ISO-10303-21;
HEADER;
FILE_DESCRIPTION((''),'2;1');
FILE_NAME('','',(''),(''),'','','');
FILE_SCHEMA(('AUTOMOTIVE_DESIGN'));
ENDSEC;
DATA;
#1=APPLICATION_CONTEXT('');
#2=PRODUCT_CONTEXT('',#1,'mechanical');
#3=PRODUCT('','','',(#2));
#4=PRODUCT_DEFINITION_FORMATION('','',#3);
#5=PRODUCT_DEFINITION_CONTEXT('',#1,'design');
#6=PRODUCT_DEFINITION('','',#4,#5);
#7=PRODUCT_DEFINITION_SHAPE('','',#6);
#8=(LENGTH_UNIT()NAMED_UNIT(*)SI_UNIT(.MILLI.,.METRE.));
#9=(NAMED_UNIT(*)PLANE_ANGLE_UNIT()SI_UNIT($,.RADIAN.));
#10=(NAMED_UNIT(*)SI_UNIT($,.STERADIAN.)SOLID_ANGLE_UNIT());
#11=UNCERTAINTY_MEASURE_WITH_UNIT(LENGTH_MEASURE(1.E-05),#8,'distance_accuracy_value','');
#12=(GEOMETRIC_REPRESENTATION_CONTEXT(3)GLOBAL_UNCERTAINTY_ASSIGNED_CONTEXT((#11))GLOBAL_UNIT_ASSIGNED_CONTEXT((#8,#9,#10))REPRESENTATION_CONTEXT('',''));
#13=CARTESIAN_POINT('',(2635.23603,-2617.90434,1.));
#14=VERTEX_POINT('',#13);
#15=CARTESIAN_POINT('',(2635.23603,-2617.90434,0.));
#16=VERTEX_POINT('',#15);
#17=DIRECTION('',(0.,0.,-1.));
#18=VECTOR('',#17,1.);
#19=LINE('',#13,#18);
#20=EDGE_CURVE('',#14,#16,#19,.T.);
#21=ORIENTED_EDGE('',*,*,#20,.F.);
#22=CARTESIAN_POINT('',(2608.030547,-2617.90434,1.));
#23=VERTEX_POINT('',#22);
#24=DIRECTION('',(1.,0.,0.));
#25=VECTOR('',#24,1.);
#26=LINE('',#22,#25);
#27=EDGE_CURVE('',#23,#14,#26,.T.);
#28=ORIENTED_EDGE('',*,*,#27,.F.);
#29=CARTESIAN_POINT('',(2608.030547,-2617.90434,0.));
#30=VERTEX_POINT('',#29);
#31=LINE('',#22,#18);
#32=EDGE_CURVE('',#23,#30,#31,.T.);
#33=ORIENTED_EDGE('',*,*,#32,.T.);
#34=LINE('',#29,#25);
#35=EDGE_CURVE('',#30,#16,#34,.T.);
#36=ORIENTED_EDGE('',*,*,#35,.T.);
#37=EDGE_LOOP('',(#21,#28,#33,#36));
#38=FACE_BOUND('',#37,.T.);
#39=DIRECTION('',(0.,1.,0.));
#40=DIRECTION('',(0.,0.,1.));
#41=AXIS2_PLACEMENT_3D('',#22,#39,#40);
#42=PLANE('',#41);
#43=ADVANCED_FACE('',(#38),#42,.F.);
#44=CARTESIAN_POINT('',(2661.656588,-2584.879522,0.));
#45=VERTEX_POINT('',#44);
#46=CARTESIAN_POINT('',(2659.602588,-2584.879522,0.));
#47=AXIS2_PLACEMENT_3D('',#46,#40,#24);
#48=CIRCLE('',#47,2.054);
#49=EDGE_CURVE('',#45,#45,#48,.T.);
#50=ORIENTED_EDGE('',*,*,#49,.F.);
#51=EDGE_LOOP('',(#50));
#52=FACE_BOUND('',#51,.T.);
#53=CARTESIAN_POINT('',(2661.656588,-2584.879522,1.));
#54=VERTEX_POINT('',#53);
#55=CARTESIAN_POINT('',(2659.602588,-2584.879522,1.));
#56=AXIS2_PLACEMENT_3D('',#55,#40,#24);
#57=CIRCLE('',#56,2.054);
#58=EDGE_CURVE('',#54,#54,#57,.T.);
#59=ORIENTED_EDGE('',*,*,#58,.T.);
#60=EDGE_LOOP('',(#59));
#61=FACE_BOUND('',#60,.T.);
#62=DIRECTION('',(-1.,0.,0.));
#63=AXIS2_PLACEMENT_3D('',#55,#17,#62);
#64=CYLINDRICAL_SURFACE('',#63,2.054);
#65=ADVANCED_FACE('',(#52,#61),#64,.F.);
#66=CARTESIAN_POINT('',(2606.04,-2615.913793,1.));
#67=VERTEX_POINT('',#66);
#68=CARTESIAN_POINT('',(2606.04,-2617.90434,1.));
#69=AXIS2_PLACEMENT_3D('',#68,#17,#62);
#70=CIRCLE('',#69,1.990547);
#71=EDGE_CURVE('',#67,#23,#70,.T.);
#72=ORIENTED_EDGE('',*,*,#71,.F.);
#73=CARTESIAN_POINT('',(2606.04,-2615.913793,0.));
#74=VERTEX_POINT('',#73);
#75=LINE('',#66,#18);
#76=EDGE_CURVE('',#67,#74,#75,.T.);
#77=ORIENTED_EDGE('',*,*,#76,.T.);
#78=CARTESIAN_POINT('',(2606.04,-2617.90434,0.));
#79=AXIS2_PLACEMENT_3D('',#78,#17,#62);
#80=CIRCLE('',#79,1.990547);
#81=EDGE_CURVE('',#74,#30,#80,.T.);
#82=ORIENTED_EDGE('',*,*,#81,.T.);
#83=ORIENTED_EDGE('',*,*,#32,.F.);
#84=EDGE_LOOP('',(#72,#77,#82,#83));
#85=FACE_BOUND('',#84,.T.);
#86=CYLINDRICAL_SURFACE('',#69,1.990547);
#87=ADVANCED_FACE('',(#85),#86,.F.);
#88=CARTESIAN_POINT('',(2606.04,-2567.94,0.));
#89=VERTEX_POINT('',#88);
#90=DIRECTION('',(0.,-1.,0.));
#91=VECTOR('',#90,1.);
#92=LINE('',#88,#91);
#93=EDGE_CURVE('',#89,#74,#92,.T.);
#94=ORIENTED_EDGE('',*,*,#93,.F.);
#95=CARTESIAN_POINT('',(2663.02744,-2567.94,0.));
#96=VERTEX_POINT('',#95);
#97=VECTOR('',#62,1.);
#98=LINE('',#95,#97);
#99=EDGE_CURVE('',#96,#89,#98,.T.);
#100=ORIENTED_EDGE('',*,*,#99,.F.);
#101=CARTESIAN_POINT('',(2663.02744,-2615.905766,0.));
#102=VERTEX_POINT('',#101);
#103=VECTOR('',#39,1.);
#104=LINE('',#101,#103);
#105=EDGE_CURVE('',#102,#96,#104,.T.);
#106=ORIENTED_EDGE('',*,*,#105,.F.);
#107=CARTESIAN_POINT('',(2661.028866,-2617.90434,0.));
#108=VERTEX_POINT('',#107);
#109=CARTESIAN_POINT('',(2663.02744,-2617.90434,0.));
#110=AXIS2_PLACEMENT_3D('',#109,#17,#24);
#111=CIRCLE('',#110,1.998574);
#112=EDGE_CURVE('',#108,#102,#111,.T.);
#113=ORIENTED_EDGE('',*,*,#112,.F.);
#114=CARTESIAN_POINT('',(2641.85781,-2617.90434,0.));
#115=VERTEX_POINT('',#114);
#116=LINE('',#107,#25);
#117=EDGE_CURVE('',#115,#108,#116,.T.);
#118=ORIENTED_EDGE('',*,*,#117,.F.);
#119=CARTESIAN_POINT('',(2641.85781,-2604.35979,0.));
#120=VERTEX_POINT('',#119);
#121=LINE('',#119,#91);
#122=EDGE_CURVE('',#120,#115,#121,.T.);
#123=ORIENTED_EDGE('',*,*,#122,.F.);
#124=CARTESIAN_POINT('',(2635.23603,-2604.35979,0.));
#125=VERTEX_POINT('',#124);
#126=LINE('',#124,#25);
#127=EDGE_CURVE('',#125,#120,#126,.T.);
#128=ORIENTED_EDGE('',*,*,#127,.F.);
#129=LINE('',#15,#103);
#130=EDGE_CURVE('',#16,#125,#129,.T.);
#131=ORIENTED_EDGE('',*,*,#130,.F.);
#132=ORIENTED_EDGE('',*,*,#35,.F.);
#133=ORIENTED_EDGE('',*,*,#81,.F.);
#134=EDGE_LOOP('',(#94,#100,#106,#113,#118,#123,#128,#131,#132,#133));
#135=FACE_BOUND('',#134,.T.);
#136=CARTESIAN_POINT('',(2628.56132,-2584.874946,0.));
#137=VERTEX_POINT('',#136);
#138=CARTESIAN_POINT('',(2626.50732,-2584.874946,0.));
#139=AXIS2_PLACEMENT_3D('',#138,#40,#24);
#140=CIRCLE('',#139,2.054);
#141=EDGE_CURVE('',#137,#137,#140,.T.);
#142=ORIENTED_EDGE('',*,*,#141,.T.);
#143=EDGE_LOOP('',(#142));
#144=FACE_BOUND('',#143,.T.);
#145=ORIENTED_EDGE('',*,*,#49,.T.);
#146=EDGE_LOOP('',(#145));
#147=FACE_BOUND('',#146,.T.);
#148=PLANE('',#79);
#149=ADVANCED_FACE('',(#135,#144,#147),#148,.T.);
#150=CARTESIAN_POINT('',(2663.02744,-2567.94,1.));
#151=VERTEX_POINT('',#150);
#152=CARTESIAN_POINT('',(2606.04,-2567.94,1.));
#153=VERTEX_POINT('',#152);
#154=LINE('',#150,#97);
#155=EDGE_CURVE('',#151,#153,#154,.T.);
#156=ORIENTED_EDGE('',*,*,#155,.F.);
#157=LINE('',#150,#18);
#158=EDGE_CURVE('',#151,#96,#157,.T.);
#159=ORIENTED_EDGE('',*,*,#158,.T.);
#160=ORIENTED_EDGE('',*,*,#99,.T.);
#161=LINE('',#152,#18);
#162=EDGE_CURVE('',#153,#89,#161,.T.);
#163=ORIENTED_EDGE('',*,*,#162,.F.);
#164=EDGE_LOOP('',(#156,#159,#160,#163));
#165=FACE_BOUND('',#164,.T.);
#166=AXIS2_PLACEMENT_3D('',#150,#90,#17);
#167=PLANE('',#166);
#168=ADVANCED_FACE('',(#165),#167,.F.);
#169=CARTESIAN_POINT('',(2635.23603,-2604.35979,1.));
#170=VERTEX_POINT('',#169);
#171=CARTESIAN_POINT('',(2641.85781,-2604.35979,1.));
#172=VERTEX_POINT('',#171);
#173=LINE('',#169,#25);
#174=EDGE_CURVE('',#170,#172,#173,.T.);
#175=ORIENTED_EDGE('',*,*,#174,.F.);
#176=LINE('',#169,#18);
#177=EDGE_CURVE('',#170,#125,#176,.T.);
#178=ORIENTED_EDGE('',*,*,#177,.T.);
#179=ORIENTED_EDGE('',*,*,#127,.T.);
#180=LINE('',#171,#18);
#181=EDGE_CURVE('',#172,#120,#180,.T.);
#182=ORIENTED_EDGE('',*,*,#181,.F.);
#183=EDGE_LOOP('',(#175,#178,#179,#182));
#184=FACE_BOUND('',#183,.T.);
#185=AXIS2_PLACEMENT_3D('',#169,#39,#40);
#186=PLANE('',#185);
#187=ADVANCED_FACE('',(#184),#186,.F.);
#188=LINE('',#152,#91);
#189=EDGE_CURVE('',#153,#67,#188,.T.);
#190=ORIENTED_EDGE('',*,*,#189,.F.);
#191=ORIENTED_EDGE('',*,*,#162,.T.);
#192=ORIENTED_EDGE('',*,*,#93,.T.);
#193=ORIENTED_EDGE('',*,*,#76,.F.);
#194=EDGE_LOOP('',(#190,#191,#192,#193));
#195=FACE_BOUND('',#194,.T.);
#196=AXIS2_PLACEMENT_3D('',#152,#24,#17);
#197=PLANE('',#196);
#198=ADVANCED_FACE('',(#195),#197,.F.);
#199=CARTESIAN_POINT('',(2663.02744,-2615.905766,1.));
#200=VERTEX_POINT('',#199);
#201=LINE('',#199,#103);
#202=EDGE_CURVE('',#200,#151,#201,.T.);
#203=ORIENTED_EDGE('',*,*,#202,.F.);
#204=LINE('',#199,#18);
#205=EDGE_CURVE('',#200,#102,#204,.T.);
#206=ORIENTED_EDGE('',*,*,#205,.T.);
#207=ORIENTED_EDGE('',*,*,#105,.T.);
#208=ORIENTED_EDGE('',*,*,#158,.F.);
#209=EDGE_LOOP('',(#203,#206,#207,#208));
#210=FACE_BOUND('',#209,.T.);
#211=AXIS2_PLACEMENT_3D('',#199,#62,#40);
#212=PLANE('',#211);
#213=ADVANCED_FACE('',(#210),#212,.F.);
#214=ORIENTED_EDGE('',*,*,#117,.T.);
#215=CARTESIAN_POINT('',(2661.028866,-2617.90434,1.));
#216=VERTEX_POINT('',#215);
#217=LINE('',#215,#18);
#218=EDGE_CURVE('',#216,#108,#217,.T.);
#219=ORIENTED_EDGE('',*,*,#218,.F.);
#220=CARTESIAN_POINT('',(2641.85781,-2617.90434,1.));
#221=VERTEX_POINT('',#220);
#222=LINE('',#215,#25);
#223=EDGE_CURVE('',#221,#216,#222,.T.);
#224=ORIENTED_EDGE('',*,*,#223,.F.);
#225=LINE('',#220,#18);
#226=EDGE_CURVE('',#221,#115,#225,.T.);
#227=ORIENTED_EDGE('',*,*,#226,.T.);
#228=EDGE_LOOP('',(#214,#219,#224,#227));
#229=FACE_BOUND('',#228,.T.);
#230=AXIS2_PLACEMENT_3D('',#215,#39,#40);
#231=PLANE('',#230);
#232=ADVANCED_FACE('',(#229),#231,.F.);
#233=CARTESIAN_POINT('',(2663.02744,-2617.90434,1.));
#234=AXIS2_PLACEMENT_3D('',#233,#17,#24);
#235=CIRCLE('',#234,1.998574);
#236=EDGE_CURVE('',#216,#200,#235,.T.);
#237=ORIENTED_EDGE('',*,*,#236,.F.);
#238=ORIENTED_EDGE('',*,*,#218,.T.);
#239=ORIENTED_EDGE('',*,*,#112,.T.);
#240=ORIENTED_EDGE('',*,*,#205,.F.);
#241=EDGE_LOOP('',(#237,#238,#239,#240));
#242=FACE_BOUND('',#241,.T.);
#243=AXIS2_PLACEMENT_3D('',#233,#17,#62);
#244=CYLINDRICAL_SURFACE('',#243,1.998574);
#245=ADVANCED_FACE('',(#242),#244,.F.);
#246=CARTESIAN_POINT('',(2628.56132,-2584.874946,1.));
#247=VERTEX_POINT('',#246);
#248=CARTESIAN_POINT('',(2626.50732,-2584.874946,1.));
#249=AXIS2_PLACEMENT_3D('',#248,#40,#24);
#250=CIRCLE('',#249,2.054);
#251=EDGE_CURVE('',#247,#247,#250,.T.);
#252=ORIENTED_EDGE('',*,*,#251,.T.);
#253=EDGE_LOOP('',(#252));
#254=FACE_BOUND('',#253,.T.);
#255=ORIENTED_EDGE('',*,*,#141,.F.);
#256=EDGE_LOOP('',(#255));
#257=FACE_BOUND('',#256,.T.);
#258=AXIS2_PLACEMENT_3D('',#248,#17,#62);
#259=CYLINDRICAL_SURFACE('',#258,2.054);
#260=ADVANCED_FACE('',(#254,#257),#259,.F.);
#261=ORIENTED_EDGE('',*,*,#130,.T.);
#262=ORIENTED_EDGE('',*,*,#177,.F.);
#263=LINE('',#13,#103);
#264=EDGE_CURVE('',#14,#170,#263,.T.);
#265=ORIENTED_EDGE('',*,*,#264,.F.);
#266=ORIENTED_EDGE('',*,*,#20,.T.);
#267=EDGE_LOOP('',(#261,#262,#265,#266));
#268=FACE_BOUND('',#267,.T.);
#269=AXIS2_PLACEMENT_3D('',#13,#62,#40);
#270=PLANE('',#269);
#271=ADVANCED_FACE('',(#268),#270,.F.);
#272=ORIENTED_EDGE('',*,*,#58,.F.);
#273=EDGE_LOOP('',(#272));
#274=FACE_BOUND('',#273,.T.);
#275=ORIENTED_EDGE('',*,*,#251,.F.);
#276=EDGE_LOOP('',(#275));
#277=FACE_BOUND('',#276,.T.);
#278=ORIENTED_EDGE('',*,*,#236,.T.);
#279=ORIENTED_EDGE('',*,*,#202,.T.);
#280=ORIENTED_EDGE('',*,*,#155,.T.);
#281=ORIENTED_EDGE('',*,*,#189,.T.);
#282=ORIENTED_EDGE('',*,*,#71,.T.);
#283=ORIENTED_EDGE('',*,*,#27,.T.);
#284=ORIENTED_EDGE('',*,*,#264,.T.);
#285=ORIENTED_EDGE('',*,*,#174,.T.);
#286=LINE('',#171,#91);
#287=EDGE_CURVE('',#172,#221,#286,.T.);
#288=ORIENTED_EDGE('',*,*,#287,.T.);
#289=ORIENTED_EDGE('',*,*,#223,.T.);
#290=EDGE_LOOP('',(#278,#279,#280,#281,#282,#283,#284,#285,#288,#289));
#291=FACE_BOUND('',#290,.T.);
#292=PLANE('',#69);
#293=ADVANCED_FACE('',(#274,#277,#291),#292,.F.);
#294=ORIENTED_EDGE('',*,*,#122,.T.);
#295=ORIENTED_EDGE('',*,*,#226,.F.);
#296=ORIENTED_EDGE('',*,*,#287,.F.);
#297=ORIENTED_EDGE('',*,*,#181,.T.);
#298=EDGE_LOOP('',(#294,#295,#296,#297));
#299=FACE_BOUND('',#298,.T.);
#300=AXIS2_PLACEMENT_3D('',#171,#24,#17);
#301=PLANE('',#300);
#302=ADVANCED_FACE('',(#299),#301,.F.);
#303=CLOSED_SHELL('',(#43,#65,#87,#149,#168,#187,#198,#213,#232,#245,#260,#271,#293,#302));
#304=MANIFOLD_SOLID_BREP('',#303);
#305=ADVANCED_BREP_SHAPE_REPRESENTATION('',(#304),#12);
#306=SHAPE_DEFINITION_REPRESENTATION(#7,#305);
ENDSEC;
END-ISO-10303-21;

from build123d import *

# Parameters (mm, degrees)
MODEL_R         = 2.054
EXTRUDE_1_DEPTH = 1


with BuildPart() as part:
    # Model → Бобышка-Вытянуть1 (new body)
    with BuildSketch(Plane.XY):
        with BuildLine():
            Line((2635.23603, -2604.35979), (2641.85781, -2604.35979))
            Line((2641.85781, -2604.35979), (2641.85781, -2617.90434))
            Line((2641.85781, -2617.90434), (2661.0288664, -2617.90434))
            ThreePointArc((2661.0288664, -2617.90434), (2661.614235055, -2616.491135055), (2663.02744, -2615.9057664))
            Line((2663.02744, -2615.9057664), (2663.02744, -2567.94))
            Line((2663.02744, -2567.94), (2606.04, -2567.94))
            Line((2606.04, -2567.94), (2606.04, -2615.9137928))
            ThreePointArc((2606.04, -2615.9137928), (2607.447529423, -2616.496810577), (2608.0305472, -2617.90434))
            Line((2608.0305472, -2617.90434), (2635.23603, -2617.90434))
            Line((2635.23603, -2617.90434), (2635.23603, -2604.35979))
        make_face()
        with Locations((2626.50732, -2584.8749456)):
            Circle(MODEL_R, mode=Mode.SUBTRACT)
        with Locations((2659.602587949, -2584.87952199)):
            Circle(MODEL_R, mode=Mode.SUBTRACT)
    extrude(amount=EXTRUDE_1_DEPTH)


solid = part.part
